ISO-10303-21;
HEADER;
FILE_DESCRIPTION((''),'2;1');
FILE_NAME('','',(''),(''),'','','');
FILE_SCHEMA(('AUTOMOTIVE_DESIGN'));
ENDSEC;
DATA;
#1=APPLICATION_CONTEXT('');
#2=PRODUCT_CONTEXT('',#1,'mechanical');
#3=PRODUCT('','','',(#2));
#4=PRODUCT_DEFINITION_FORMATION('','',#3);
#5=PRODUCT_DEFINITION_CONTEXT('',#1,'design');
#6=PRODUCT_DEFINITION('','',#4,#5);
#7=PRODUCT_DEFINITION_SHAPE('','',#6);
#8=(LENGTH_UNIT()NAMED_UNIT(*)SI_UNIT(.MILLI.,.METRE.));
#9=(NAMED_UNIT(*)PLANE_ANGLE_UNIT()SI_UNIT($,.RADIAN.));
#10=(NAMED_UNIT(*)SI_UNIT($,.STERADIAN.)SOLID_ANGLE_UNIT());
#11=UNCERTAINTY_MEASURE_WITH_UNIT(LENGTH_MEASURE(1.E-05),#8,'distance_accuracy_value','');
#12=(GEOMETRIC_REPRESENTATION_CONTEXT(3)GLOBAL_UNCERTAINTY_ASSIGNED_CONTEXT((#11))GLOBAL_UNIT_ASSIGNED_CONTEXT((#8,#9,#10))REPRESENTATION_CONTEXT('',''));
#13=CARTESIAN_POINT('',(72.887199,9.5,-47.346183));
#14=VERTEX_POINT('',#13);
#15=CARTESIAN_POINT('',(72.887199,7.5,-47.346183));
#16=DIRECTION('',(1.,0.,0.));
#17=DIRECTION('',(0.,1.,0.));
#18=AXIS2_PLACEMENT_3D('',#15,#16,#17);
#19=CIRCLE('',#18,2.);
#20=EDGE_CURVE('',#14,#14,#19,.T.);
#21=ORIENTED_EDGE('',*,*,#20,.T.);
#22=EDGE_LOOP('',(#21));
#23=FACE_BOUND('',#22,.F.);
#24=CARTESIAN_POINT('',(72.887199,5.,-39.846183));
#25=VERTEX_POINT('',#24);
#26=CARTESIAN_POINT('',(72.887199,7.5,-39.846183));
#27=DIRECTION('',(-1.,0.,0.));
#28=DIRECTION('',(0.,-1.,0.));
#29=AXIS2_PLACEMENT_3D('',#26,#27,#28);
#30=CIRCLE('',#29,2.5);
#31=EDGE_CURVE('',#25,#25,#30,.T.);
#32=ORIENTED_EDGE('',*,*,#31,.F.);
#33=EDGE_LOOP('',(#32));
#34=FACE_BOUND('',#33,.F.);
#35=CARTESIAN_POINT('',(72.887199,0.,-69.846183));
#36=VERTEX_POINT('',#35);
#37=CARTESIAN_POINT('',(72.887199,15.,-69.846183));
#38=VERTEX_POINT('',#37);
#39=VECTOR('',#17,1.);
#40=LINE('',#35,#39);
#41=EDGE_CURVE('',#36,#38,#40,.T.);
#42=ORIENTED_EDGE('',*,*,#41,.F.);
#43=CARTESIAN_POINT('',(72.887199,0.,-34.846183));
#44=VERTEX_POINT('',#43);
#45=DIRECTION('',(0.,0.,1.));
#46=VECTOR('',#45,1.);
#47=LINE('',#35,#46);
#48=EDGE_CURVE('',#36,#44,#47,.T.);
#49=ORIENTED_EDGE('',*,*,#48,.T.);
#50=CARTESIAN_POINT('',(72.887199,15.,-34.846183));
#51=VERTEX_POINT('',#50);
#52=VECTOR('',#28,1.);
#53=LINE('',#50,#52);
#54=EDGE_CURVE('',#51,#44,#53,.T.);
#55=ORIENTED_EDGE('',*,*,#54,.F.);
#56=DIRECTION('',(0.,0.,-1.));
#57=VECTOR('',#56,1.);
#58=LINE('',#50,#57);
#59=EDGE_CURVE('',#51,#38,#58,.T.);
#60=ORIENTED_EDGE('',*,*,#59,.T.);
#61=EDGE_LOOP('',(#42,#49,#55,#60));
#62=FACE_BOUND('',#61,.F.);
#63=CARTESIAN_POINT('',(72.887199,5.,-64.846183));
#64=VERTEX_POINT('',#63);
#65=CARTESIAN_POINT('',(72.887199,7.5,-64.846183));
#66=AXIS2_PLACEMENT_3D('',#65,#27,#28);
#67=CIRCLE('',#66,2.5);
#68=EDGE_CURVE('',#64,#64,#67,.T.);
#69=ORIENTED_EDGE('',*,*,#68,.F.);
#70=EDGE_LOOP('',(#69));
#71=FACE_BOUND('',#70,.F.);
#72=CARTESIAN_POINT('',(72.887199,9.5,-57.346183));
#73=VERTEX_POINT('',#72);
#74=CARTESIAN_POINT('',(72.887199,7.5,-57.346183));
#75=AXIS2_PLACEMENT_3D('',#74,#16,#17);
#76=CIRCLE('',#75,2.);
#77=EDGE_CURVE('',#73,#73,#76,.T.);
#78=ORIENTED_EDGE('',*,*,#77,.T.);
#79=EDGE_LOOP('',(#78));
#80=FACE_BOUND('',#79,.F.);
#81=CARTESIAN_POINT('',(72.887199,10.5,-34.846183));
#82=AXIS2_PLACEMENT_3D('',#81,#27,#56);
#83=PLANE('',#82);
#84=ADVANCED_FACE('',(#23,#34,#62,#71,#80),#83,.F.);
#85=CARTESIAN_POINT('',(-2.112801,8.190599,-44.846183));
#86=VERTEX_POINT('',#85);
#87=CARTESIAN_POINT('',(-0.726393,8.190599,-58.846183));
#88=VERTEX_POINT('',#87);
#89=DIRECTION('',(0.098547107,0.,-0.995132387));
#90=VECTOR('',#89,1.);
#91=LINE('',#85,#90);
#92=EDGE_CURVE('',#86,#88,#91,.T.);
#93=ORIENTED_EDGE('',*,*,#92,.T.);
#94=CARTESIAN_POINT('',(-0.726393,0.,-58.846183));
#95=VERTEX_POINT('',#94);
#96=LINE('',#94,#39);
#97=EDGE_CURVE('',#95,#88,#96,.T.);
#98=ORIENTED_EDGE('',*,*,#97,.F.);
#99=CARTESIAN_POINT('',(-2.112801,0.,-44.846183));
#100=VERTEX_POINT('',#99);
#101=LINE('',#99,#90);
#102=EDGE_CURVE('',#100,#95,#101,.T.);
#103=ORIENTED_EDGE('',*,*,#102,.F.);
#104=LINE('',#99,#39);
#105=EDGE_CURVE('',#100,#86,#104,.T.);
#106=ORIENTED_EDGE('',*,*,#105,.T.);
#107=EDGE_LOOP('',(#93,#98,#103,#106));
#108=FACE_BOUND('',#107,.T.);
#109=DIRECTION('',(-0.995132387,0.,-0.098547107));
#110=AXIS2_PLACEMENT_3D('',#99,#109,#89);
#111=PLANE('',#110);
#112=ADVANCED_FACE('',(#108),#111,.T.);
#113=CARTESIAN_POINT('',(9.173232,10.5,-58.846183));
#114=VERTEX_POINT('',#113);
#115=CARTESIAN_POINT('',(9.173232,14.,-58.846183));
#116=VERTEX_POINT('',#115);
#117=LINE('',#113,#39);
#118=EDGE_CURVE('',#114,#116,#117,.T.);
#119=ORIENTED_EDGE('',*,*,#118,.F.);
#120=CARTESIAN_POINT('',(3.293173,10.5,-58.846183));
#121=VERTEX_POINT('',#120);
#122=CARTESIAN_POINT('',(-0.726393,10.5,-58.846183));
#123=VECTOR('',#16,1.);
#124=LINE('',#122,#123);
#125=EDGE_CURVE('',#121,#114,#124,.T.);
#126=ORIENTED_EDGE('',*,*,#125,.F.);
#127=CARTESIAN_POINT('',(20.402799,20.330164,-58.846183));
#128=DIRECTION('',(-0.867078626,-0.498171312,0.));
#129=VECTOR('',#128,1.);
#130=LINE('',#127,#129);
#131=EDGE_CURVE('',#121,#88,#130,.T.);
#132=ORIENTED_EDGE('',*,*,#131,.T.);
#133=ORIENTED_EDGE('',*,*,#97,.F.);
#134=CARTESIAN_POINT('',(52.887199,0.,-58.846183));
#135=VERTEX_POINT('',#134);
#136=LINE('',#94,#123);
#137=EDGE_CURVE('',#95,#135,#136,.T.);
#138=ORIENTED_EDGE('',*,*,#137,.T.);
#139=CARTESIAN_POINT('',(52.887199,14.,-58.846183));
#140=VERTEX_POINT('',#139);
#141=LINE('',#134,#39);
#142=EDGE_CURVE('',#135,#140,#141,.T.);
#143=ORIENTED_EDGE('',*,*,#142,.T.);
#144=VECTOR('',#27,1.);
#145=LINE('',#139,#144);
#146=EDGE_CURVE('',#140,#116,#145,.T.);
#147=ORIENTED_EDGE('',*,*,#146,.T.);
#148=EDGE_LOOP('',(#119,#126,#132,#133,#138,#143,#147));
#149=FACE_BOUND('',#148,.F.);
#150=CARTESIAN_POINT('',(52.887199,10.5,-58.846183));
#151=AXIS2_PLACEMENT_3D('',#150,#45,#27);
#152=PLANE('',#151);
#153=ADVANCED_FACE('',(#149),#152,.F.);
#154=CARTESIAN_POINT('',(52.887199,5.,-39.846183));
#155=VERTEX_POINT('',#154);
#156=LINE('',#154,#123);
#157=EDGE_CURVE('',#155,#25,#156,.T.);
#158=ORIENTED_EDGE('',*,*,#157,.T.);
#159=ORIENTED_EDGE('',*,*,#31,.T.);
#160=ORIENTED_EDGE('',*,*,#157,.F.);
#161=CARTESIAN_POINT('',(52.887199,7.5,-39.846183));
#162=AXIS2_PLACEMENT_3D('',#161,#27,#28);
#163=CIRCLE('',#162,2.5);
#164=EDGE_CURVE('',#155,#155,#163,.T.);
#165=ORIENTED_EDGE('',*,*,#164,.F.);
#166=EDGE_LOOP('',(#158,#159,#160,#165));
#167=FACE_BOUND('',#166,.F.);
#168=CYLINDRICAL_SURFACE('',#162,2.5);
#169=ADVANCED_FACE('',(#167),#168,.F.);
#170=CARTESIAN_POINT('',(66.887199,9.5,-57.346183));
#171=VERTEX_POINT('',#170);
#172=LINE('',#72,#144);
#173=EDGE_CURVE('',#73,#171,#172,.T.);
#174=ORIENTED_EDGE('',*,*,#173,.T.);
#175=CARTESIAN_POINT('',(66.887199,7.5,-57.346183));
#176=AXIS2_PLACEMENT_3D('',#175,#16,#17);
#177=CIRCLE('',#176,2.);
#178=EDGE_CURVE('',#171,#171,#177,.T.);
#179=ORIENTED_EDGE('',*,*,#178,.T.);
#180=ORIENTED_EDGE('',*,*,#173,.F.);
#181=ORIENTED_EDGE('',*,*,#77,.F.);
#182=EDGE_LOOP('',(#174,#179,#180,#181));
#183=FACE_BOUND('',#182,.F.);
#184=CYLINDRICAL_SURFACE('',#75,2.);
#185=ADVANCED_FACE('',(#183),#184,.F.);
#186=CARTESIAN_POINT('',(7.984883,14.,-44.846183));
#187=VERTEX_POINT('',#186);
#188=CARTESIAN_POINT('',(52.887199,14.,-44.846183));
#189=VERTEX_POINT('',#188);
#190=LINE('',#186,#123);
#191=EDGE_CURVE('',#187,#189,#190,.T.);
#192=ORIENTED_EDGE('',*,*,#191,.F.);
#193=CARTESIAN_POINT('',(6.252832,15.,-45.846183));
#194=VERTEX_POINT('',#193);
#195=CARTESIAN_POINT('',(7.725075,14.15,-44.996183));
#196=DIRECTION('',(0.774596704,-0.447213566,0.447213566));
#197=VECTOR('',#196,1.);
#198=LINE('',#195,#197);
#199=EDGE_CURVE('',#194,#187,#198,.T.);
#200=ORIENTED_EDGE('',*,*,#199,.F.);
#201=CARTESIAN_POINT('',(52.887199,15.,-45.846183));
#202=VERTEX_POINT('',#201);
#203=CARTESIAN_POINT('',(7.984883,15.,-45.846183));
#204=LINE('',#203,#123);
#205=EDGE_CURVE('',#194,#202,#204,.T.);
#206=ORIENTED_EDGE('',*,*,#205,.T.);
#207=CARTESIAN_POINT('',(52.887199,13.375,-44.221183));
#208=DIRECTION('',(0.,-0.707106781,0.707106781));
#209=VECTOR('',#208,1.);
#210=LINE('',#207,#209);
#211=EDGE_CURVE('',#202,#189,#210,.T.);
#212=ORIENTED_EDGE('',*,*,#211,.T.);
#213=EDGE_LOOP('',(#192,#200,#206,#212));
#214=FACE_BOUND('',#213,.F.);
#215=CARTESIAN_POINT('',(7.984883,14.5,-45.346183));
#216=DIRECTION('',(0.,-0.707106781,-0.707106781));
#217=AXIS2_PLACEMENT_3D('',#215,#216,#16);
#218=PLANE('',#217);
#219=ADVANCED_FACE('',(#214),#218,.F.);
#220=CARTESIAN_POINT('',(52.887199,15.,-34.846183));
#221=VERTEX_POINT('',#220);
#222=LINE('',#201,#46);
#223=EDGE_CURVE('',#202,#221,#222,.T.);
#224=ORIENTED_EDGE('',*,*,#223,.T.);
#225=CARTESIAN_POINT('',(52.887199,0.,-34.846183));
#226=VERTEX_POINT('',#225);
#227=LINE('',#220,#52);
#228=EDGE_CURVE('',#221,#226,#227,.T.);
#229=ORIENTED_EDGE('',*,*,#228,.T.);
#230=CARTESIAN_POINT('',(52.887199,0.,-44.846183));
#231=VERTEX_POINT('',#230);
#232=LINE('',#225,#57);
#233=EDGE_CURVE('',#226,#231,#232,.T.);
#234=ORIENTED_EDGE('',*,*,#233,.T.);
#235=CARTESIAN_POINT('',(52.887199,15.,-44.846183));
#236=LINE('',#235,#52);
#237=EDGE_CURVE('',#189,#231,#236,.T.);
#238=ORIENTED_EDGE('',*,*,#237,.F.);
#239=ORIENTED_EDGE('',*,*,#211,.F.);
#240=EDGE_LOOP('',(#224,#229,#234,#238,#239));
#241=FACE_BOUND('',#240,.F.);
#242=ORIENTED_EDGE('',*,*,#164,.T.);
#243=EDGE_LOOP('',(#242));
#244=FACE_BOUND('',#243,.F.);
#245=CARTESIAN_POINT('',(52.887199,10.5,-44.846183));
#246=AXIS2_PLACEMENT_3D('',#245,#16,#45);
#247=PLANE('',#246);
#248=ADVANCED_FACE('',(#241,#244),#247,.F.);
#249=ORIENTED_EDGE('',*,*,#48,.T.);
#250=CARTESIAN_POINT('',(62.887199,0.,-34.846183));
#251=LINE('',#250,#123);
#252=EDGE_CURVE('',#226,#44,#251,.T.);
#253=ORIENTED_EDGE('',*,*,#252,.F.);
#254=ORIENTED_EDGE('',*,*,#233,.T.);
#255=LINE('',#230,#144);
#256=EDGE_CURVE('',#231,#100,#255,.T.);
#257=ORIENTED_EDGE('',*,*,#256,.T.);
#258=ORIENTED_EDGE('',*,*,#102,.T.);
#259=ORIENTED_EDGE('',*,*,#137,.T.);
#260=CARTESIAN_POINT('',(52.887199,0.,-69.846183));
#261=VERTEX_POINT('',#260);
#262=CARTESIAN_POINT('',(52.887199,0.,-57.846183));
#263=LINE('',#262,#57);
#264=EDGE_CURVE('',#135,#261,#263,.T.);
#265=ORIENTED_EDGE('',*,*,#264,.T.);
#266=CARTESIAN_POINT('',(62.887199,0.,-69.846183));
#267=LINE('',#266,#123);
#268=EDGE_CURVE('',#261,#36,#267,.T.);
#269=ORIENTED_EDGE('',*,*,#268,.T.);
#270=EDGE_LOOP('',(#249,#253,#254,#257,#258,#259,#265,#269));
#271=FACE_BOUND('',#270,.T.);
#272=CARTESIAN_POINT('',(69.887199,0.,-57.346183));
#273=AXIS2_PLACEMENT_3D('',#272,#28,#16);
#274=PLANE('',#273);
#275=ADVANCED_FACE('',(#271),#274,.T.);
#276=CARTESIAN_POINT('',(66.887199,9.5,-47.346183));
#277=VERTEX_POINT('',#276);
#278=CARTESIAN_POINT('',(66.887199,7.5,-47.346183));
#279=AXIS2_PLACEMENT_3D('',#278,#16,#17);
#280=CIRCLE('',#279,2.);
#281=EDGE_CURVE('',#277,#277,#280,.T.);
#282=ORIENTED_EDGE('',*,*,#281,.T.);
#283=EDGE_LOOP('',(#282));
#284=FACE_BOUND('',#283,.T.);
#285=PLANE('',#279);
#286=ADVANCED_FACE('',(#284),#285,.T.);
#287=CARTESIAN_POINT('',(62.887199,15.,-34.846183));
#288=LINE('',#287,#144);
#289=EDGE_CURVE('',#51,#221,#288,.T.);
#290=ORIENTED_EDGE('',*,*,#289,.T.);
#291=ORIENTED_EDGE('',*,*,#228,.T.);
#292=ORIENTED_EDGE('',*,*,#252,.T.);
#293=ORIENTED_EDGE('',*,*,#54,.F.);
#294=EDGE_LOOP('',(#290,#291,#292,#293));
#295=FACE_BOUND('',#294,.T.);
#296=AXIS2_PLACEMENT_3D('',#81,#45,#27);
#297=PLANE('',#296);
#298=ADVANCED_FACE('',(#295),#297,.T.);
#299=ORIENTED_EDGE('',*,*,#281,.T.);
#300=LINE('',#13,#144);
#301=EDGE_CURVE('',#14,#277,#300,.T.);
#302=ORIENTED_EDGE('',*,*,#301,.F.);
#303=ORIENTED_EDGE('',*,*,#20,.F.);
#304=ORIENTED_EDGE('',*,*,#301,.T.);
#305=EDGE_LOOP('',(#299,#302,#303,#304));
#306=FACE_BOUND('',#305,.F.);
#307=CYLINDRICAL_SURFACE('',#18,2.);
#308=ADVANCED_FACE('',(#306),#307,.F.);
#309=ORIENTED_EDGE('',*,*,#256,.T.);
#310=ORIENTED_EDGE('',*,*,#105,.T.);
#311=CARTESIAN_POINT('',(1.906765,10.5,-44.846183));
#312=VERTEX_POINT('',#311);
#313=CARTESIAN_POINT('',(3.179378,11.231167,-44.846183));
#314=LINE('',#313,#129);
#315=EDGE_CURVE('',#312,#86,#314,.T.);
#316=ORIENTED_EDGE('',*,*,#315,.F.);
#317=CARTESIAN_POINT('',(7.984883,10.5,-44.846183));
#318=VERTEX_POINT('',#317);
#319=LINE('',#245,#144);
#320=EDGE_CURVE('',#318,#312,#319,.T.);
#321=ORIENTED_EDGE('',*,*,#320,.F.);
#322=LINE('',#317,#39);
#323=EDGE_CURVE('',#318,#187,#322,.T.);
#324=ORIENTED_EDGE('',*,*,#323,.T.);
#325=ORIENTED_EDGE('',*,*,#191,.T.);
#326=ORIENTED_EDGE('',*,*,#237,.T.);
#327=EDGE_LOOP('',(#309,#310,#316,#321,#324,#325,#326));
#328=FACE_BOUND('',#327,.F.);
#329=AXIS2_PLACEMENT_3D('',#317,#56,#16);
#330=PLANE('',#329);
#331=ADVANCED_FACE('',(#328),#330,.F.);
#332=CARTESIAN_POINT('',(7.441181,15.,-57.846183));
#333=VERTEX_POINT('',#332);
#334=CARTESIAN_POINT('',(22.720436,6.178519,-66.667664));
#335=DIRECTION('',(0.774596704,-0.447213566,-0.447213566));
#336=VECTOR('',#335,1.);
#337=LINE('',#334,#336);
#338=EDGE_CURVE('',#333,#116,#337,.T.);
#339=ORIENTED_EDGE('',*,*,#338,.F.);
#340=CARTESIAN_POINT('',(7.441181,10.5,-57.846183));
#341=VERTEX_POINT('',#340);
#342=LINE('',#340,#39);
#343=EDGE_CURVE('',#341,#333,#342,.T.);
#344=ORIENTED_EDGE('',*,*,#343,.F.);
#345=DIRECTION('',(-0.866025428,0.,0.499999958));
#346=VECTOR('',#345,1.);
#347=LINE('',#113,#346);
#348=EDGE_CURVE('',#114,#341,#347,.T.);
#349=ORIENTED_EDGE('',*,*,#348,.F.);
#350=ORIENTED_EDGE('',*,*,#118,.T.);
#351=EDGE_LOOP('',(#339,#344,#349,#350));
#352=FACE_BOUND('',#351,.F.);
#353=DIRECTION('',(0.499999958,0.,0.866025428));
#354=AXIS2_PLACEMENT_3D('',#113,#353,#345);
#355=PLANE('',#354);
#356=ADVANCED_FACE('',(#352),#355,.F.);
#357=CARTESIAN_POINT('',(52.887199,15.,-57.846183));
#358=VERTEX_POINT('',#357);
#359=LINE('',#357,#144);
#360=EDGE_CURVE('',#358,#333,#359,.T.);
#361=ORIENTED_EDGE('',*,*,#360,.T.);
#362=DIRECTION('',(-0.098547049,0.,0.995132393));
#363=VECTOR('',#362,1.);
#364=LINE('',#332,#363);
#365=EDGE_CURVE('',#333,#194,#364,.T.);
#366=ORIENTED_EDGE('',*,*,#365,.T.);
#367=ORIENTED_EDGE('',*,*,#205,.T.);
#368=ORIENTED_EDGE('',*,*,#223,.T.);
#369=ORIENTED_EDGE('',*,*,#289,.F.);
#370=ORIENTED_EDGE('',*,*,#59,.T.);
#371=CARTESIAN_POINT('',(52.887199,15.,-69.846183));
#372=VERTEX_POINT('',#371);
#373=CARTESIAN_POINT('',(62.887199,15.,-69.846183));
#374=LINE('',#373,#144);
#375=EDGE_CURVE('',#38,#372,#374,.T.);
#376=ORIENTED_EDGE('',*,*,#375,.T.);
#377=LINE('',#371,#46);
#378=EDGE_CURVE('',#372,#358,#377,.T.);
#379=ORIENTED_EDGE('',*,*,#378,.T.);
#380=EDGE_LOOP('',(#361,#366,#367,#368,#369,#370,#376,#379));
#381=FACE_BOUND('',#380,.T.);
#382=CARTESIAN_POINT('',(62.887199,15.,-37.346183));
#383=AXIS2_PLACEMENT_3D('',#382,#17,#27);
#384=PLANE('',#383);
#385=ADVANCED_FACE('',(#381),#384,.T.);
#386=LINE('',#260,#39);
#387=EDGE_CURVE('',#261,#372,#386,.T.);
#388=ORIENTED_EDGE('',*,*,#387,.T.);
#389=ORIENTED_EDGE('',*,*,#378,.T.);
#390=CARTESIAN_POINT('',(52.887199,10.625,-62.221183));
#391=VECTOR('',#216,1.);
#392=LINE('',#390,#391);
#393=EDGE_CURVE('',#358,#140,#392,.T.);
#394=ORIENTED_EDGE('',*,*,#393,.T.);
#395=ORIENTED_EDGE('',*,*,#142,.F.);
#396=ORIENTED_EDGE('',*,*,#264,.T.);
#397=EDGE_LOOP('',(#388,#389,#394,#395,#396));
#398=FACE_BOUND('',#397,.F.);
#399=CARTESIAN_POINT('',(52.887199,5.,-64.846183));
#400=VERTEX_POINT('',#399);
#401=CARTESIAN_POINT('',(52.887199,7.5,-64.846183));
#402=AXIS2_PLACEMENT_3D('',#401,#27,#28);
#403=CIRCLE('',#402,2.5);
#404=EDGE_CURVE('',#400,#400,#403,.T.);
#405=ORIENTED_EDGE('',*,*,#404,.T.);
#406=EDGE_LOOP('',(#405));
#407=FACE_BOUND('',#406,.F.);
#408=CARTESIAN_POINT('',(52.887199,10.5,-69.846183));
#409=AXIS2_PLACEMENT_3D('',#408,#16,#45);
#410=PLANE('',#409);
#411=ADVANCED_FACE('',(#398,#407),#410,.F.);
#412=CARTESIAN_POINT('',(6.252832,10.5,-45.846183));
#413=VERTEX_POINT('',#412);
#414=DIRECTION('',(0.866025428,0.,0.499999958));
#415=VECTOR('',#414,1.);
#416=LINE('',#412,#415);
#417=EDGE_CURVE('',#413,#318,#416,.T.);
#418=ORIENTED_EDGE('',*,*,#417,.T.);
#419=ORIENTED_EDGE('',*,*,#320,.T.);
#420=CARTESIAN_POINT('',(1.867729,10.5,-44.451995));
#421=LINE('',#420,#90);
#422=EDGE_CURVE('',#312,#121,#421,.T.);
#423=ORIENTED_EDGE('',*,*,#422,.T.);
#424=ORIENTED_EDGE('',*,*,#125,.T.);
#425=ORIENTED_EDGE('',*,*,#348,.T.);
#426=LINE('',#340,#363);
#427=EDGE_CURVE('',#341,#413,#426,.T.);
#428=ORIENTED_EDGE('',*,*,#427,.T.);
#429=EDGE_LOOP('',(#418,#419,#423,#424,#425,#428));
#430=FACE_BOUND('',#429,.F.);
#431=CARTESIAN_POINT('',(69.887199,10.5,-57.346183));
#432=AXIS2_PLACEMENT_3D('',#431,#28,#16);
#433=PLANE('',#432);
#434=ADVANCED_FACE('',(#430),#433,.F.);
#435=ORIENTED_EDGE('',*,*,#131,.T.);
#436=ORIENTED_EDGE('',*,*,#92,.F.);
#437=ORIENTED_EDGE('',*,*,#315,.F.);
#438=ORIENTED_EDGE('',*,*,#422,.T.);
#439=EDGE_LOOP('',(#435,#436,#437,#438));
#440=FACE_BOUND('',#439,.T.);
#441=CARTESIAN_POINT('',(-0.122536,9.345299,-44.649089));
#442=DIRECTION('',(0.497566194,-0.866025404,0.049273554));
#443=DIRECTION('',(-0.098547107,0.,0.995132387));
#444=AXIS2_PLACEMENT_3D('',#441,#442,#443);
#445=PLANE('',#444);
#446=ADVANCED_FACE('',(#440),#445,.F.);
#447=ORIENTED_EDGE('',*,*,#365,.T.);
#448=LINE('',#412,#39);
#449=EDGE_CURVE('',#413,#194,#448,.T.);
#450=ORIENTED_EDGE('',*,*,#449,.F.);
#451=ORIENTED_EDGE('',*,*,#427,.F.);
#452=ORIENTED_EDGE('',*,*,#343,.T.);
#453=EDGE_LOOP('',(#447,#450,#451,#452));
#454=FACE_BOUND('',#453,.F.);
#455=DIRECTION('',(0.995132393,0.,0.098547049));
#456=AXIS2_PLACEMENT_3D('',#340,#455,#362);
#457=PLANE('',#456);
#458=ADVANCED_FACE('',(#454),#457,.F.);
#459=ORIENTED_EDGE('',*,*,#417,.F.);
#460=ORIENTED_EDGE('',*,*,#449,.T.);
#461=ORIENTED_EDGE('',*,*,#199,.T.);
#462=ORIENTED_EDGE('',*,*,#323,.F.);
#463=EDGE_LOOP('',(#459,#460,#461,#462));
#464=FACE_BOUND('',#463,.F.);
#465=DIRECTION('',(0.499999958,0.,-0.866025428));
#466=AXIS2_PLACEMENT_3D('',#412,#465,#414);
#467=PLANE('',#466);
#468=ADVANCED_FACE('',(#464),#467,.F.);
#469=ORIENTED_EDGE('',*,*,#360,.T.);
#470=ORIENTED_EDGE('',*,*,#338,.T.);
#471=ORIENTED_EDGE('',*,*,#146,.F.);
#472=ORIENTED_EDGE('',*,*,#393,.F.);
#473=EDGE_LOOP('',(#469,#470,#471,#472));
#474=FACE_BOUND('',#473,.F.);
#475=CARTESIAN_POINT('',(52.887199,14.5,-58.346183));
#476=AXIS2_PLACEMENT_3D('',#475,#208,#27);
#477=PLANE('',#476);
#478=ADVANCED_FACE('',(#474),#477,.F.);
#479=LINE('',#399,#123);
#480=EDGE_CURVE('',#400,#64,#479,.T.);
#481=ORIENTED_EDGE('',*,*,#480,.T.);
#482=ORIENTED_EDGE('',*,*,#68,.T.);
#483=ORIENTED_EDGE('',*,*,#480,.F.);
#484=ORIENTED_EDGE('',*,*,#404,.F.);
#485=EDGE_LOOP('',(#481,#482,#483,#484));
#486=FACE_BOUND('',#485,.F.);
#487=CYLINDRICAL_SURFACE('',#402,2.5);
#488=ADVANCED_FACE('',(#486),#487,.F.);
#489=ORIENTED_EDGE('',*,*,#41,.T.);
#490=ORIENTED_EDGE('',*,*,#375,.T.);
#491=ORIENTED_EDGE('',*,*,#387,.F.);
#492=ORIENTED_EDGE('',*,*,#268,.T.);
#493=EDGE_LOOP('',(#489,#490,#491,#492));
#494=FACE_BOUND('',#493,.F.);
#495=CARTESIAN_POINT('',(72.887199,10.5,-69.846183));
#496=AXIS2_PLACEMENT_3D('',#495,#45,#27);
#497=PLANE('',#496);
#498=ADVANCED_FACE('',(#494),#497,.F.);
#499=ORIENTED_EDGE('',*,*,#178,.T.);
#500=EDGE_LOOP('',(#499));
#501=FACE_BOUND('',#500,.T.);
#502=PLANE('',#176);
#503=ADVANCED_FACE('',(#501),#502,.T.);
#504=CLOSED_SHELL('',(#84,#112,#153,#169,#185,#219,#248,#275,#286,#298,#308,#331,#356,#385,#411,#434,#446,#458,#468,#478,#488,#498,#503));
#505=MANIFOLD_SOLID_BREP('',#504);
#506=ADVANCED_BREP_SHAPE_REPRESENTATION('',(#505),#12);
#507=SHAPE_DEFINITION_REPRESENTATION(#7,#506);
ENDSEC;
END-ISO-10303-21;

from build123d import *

# Parameters (mm, degrees)
F0_W     = 6
F0_H     = 4
F0_W_2   = 20
F0_H_2   = 5
F1_DEPTH = 10.5
F2_W     = 20
F2_H     = 5
F3_DEPTH = 4.5
F4_R     = 2.5
F5_DEPTH = 20.001
F6_R     = 2
F7_DEPTH = 6
F8_SIZE  = 1
F9_SIZE2 = 2.3094010768
F9_SIZE  = 4


with BuildPart() as f1:
    # F0 (on Front) → F1 (new body)
    with BuildSketch(Plane.XZ):
        Polygon((66.887199, -59.346183), (72.887199, -59.346183), (72.887199, -55.346183), (66.887199, -55.346183), (66.887199, -57.346183), align=None)
        Polygon((52.887199, -45.846183), (6.252832, -45.846183), (7.441181, -57.846183), (52.887199, -57.846183), (52.887199, -58.846183), (52.887199, -64.846183), (72.887199, -64.846183), (72.887199, -59.346183), (66.887199, -59.346183), (65.732498, -57.346183), (66.887199, -55.346183), (72.887199, -55.346183), (72.887199, -49.346183), (66.887199, -49.346183), (65.732498, -47.346183), (66.887199, -45.346183), (72.887199, -45.346183), (72.887199, -39.846183), (52.887199, -39.846183), (52.887199, -44.846183), align=None)
        with Locations((69.887199, -47.346183)):
            Rectangle(F0_W, F0_H)
        with Locations((62.887199, -37.346183)):
            Rectangle(F0_W_2, F0_H_2)
        with Locations((62.887199, -67.346183)):
            Rectangle(F0_W_2, F0_H_2)
        Polygon((2.754653, -58.846183), (1.368245, -44.846183), (-2.112801, -44.846183), (-0.726393, -58.846183), align=None)
        Polygon((7.984883, -44.846183), (1.368245, -44.846183), (2.754653, -58.846183), (9.173232, -58.846183), (7.441181, -57.846183), (6.252832, -45.846183), align=None)
        Polygon((52.887199, -44.846183), (7.984883, -44.846183), (6.252832, -45.846183), (52.887199, -45.846183), align=None)
        Polygon((7.441181, -57.846183), (9.173232, -58.846183), (52.887199, -58.846183), (52.887199, -57.846183), align=None)
        Polygon((65.732498, -57.346183), (66.887199, -59.346183), (66.887199, -57.346183), align=None)
        Polygon((66.887199, -49.346183), (66.887199, -45.346183), (65.732498, -47.346183), align=None)
        Polygon((65.732498, -57.346183), (66.887199, -57.346183), (66.887199, -55.346183), align=None)
    extrude(amount=-F1_DEPTH)

    # F2 (on face) → F3 (join)
    with BuildSketch(Plane(origin=(0, 10.5, 0), x_dir=(-1, 0, 0), z_dir=(0, 1, 0))):
        with Locations((-62.887199, -37.346183)):
            Rectangle(F2_W, F2_H)
        Polygon((-72.887199, -55.346183), (-72.887199, -59.346183), (-72.887199, -64.846183), (-52.887199, -64.846183), (-52.887199, -58.846183), (-9.173232, -58.846183), (-7.441181, -57.846183), (-6.252832, -45.846183), (-7.984883, -44.846183), (-52.887199, -44.846183), (-52.887199, -39.846183), (-72.887199, -39.846183), (-72.887199, -45.346183), (-72.887199, -49.346183), align=None)
        with Locations((-62.887199, -67.346183)):
            Rectangle(F2_W, F2_H)
    extrude(amount=F3_DEPTH)

    # F4 (on face) → F5 (cut, through all)
    with BuildSketch(Plane(origin=(52.887199, 0, 0), x_dir=(0, -1, 0), z_dir=(-1, 0, 0))):
        with Locations((-7.5, -39.846183)):
            Circle(F4_R)
        with Locations((-7.5, -64.846183)):
            Circle(F4_R)
    extrude(amount=-F5_DEPTH, mode=Mode.SUBTRACT)

    # F6 (on face) → F7 (cut)
    with BuildSketch(Plane.YZ.offset(72.887199)):
        with Locations((7.5, -47.346183)):
            Circle(F6_R)
        with Locations((7.5, -57.346183)):
            Circle(F6_R)
    extrude(amount=-F7_DEPTH, mode=Mode.SUBTRACT)

    # F8
    f8_edges = [f1.edges().sort_by_distance(p)[0] for p in [
        (30.436041, 15, -44.846183),
        (31.030216, 15, -58.846183),
    ]]
    chamfer(f8_edges, length=F8_SIZE)

    # F9
    f9_edges = [f1.edges().sort_by_distance(p)[0] for p in [
        (-1.419597, 10.5, -51.846183),
    ]]
    f9_side = f1.faces().sort_by_distance((2.782636, 10.5, -51.840563))[0]
    chamfer(f9_edges, length=F9_SIZE, length2=F9_SIZE2, reference=f9_side)


solid = f1.part
